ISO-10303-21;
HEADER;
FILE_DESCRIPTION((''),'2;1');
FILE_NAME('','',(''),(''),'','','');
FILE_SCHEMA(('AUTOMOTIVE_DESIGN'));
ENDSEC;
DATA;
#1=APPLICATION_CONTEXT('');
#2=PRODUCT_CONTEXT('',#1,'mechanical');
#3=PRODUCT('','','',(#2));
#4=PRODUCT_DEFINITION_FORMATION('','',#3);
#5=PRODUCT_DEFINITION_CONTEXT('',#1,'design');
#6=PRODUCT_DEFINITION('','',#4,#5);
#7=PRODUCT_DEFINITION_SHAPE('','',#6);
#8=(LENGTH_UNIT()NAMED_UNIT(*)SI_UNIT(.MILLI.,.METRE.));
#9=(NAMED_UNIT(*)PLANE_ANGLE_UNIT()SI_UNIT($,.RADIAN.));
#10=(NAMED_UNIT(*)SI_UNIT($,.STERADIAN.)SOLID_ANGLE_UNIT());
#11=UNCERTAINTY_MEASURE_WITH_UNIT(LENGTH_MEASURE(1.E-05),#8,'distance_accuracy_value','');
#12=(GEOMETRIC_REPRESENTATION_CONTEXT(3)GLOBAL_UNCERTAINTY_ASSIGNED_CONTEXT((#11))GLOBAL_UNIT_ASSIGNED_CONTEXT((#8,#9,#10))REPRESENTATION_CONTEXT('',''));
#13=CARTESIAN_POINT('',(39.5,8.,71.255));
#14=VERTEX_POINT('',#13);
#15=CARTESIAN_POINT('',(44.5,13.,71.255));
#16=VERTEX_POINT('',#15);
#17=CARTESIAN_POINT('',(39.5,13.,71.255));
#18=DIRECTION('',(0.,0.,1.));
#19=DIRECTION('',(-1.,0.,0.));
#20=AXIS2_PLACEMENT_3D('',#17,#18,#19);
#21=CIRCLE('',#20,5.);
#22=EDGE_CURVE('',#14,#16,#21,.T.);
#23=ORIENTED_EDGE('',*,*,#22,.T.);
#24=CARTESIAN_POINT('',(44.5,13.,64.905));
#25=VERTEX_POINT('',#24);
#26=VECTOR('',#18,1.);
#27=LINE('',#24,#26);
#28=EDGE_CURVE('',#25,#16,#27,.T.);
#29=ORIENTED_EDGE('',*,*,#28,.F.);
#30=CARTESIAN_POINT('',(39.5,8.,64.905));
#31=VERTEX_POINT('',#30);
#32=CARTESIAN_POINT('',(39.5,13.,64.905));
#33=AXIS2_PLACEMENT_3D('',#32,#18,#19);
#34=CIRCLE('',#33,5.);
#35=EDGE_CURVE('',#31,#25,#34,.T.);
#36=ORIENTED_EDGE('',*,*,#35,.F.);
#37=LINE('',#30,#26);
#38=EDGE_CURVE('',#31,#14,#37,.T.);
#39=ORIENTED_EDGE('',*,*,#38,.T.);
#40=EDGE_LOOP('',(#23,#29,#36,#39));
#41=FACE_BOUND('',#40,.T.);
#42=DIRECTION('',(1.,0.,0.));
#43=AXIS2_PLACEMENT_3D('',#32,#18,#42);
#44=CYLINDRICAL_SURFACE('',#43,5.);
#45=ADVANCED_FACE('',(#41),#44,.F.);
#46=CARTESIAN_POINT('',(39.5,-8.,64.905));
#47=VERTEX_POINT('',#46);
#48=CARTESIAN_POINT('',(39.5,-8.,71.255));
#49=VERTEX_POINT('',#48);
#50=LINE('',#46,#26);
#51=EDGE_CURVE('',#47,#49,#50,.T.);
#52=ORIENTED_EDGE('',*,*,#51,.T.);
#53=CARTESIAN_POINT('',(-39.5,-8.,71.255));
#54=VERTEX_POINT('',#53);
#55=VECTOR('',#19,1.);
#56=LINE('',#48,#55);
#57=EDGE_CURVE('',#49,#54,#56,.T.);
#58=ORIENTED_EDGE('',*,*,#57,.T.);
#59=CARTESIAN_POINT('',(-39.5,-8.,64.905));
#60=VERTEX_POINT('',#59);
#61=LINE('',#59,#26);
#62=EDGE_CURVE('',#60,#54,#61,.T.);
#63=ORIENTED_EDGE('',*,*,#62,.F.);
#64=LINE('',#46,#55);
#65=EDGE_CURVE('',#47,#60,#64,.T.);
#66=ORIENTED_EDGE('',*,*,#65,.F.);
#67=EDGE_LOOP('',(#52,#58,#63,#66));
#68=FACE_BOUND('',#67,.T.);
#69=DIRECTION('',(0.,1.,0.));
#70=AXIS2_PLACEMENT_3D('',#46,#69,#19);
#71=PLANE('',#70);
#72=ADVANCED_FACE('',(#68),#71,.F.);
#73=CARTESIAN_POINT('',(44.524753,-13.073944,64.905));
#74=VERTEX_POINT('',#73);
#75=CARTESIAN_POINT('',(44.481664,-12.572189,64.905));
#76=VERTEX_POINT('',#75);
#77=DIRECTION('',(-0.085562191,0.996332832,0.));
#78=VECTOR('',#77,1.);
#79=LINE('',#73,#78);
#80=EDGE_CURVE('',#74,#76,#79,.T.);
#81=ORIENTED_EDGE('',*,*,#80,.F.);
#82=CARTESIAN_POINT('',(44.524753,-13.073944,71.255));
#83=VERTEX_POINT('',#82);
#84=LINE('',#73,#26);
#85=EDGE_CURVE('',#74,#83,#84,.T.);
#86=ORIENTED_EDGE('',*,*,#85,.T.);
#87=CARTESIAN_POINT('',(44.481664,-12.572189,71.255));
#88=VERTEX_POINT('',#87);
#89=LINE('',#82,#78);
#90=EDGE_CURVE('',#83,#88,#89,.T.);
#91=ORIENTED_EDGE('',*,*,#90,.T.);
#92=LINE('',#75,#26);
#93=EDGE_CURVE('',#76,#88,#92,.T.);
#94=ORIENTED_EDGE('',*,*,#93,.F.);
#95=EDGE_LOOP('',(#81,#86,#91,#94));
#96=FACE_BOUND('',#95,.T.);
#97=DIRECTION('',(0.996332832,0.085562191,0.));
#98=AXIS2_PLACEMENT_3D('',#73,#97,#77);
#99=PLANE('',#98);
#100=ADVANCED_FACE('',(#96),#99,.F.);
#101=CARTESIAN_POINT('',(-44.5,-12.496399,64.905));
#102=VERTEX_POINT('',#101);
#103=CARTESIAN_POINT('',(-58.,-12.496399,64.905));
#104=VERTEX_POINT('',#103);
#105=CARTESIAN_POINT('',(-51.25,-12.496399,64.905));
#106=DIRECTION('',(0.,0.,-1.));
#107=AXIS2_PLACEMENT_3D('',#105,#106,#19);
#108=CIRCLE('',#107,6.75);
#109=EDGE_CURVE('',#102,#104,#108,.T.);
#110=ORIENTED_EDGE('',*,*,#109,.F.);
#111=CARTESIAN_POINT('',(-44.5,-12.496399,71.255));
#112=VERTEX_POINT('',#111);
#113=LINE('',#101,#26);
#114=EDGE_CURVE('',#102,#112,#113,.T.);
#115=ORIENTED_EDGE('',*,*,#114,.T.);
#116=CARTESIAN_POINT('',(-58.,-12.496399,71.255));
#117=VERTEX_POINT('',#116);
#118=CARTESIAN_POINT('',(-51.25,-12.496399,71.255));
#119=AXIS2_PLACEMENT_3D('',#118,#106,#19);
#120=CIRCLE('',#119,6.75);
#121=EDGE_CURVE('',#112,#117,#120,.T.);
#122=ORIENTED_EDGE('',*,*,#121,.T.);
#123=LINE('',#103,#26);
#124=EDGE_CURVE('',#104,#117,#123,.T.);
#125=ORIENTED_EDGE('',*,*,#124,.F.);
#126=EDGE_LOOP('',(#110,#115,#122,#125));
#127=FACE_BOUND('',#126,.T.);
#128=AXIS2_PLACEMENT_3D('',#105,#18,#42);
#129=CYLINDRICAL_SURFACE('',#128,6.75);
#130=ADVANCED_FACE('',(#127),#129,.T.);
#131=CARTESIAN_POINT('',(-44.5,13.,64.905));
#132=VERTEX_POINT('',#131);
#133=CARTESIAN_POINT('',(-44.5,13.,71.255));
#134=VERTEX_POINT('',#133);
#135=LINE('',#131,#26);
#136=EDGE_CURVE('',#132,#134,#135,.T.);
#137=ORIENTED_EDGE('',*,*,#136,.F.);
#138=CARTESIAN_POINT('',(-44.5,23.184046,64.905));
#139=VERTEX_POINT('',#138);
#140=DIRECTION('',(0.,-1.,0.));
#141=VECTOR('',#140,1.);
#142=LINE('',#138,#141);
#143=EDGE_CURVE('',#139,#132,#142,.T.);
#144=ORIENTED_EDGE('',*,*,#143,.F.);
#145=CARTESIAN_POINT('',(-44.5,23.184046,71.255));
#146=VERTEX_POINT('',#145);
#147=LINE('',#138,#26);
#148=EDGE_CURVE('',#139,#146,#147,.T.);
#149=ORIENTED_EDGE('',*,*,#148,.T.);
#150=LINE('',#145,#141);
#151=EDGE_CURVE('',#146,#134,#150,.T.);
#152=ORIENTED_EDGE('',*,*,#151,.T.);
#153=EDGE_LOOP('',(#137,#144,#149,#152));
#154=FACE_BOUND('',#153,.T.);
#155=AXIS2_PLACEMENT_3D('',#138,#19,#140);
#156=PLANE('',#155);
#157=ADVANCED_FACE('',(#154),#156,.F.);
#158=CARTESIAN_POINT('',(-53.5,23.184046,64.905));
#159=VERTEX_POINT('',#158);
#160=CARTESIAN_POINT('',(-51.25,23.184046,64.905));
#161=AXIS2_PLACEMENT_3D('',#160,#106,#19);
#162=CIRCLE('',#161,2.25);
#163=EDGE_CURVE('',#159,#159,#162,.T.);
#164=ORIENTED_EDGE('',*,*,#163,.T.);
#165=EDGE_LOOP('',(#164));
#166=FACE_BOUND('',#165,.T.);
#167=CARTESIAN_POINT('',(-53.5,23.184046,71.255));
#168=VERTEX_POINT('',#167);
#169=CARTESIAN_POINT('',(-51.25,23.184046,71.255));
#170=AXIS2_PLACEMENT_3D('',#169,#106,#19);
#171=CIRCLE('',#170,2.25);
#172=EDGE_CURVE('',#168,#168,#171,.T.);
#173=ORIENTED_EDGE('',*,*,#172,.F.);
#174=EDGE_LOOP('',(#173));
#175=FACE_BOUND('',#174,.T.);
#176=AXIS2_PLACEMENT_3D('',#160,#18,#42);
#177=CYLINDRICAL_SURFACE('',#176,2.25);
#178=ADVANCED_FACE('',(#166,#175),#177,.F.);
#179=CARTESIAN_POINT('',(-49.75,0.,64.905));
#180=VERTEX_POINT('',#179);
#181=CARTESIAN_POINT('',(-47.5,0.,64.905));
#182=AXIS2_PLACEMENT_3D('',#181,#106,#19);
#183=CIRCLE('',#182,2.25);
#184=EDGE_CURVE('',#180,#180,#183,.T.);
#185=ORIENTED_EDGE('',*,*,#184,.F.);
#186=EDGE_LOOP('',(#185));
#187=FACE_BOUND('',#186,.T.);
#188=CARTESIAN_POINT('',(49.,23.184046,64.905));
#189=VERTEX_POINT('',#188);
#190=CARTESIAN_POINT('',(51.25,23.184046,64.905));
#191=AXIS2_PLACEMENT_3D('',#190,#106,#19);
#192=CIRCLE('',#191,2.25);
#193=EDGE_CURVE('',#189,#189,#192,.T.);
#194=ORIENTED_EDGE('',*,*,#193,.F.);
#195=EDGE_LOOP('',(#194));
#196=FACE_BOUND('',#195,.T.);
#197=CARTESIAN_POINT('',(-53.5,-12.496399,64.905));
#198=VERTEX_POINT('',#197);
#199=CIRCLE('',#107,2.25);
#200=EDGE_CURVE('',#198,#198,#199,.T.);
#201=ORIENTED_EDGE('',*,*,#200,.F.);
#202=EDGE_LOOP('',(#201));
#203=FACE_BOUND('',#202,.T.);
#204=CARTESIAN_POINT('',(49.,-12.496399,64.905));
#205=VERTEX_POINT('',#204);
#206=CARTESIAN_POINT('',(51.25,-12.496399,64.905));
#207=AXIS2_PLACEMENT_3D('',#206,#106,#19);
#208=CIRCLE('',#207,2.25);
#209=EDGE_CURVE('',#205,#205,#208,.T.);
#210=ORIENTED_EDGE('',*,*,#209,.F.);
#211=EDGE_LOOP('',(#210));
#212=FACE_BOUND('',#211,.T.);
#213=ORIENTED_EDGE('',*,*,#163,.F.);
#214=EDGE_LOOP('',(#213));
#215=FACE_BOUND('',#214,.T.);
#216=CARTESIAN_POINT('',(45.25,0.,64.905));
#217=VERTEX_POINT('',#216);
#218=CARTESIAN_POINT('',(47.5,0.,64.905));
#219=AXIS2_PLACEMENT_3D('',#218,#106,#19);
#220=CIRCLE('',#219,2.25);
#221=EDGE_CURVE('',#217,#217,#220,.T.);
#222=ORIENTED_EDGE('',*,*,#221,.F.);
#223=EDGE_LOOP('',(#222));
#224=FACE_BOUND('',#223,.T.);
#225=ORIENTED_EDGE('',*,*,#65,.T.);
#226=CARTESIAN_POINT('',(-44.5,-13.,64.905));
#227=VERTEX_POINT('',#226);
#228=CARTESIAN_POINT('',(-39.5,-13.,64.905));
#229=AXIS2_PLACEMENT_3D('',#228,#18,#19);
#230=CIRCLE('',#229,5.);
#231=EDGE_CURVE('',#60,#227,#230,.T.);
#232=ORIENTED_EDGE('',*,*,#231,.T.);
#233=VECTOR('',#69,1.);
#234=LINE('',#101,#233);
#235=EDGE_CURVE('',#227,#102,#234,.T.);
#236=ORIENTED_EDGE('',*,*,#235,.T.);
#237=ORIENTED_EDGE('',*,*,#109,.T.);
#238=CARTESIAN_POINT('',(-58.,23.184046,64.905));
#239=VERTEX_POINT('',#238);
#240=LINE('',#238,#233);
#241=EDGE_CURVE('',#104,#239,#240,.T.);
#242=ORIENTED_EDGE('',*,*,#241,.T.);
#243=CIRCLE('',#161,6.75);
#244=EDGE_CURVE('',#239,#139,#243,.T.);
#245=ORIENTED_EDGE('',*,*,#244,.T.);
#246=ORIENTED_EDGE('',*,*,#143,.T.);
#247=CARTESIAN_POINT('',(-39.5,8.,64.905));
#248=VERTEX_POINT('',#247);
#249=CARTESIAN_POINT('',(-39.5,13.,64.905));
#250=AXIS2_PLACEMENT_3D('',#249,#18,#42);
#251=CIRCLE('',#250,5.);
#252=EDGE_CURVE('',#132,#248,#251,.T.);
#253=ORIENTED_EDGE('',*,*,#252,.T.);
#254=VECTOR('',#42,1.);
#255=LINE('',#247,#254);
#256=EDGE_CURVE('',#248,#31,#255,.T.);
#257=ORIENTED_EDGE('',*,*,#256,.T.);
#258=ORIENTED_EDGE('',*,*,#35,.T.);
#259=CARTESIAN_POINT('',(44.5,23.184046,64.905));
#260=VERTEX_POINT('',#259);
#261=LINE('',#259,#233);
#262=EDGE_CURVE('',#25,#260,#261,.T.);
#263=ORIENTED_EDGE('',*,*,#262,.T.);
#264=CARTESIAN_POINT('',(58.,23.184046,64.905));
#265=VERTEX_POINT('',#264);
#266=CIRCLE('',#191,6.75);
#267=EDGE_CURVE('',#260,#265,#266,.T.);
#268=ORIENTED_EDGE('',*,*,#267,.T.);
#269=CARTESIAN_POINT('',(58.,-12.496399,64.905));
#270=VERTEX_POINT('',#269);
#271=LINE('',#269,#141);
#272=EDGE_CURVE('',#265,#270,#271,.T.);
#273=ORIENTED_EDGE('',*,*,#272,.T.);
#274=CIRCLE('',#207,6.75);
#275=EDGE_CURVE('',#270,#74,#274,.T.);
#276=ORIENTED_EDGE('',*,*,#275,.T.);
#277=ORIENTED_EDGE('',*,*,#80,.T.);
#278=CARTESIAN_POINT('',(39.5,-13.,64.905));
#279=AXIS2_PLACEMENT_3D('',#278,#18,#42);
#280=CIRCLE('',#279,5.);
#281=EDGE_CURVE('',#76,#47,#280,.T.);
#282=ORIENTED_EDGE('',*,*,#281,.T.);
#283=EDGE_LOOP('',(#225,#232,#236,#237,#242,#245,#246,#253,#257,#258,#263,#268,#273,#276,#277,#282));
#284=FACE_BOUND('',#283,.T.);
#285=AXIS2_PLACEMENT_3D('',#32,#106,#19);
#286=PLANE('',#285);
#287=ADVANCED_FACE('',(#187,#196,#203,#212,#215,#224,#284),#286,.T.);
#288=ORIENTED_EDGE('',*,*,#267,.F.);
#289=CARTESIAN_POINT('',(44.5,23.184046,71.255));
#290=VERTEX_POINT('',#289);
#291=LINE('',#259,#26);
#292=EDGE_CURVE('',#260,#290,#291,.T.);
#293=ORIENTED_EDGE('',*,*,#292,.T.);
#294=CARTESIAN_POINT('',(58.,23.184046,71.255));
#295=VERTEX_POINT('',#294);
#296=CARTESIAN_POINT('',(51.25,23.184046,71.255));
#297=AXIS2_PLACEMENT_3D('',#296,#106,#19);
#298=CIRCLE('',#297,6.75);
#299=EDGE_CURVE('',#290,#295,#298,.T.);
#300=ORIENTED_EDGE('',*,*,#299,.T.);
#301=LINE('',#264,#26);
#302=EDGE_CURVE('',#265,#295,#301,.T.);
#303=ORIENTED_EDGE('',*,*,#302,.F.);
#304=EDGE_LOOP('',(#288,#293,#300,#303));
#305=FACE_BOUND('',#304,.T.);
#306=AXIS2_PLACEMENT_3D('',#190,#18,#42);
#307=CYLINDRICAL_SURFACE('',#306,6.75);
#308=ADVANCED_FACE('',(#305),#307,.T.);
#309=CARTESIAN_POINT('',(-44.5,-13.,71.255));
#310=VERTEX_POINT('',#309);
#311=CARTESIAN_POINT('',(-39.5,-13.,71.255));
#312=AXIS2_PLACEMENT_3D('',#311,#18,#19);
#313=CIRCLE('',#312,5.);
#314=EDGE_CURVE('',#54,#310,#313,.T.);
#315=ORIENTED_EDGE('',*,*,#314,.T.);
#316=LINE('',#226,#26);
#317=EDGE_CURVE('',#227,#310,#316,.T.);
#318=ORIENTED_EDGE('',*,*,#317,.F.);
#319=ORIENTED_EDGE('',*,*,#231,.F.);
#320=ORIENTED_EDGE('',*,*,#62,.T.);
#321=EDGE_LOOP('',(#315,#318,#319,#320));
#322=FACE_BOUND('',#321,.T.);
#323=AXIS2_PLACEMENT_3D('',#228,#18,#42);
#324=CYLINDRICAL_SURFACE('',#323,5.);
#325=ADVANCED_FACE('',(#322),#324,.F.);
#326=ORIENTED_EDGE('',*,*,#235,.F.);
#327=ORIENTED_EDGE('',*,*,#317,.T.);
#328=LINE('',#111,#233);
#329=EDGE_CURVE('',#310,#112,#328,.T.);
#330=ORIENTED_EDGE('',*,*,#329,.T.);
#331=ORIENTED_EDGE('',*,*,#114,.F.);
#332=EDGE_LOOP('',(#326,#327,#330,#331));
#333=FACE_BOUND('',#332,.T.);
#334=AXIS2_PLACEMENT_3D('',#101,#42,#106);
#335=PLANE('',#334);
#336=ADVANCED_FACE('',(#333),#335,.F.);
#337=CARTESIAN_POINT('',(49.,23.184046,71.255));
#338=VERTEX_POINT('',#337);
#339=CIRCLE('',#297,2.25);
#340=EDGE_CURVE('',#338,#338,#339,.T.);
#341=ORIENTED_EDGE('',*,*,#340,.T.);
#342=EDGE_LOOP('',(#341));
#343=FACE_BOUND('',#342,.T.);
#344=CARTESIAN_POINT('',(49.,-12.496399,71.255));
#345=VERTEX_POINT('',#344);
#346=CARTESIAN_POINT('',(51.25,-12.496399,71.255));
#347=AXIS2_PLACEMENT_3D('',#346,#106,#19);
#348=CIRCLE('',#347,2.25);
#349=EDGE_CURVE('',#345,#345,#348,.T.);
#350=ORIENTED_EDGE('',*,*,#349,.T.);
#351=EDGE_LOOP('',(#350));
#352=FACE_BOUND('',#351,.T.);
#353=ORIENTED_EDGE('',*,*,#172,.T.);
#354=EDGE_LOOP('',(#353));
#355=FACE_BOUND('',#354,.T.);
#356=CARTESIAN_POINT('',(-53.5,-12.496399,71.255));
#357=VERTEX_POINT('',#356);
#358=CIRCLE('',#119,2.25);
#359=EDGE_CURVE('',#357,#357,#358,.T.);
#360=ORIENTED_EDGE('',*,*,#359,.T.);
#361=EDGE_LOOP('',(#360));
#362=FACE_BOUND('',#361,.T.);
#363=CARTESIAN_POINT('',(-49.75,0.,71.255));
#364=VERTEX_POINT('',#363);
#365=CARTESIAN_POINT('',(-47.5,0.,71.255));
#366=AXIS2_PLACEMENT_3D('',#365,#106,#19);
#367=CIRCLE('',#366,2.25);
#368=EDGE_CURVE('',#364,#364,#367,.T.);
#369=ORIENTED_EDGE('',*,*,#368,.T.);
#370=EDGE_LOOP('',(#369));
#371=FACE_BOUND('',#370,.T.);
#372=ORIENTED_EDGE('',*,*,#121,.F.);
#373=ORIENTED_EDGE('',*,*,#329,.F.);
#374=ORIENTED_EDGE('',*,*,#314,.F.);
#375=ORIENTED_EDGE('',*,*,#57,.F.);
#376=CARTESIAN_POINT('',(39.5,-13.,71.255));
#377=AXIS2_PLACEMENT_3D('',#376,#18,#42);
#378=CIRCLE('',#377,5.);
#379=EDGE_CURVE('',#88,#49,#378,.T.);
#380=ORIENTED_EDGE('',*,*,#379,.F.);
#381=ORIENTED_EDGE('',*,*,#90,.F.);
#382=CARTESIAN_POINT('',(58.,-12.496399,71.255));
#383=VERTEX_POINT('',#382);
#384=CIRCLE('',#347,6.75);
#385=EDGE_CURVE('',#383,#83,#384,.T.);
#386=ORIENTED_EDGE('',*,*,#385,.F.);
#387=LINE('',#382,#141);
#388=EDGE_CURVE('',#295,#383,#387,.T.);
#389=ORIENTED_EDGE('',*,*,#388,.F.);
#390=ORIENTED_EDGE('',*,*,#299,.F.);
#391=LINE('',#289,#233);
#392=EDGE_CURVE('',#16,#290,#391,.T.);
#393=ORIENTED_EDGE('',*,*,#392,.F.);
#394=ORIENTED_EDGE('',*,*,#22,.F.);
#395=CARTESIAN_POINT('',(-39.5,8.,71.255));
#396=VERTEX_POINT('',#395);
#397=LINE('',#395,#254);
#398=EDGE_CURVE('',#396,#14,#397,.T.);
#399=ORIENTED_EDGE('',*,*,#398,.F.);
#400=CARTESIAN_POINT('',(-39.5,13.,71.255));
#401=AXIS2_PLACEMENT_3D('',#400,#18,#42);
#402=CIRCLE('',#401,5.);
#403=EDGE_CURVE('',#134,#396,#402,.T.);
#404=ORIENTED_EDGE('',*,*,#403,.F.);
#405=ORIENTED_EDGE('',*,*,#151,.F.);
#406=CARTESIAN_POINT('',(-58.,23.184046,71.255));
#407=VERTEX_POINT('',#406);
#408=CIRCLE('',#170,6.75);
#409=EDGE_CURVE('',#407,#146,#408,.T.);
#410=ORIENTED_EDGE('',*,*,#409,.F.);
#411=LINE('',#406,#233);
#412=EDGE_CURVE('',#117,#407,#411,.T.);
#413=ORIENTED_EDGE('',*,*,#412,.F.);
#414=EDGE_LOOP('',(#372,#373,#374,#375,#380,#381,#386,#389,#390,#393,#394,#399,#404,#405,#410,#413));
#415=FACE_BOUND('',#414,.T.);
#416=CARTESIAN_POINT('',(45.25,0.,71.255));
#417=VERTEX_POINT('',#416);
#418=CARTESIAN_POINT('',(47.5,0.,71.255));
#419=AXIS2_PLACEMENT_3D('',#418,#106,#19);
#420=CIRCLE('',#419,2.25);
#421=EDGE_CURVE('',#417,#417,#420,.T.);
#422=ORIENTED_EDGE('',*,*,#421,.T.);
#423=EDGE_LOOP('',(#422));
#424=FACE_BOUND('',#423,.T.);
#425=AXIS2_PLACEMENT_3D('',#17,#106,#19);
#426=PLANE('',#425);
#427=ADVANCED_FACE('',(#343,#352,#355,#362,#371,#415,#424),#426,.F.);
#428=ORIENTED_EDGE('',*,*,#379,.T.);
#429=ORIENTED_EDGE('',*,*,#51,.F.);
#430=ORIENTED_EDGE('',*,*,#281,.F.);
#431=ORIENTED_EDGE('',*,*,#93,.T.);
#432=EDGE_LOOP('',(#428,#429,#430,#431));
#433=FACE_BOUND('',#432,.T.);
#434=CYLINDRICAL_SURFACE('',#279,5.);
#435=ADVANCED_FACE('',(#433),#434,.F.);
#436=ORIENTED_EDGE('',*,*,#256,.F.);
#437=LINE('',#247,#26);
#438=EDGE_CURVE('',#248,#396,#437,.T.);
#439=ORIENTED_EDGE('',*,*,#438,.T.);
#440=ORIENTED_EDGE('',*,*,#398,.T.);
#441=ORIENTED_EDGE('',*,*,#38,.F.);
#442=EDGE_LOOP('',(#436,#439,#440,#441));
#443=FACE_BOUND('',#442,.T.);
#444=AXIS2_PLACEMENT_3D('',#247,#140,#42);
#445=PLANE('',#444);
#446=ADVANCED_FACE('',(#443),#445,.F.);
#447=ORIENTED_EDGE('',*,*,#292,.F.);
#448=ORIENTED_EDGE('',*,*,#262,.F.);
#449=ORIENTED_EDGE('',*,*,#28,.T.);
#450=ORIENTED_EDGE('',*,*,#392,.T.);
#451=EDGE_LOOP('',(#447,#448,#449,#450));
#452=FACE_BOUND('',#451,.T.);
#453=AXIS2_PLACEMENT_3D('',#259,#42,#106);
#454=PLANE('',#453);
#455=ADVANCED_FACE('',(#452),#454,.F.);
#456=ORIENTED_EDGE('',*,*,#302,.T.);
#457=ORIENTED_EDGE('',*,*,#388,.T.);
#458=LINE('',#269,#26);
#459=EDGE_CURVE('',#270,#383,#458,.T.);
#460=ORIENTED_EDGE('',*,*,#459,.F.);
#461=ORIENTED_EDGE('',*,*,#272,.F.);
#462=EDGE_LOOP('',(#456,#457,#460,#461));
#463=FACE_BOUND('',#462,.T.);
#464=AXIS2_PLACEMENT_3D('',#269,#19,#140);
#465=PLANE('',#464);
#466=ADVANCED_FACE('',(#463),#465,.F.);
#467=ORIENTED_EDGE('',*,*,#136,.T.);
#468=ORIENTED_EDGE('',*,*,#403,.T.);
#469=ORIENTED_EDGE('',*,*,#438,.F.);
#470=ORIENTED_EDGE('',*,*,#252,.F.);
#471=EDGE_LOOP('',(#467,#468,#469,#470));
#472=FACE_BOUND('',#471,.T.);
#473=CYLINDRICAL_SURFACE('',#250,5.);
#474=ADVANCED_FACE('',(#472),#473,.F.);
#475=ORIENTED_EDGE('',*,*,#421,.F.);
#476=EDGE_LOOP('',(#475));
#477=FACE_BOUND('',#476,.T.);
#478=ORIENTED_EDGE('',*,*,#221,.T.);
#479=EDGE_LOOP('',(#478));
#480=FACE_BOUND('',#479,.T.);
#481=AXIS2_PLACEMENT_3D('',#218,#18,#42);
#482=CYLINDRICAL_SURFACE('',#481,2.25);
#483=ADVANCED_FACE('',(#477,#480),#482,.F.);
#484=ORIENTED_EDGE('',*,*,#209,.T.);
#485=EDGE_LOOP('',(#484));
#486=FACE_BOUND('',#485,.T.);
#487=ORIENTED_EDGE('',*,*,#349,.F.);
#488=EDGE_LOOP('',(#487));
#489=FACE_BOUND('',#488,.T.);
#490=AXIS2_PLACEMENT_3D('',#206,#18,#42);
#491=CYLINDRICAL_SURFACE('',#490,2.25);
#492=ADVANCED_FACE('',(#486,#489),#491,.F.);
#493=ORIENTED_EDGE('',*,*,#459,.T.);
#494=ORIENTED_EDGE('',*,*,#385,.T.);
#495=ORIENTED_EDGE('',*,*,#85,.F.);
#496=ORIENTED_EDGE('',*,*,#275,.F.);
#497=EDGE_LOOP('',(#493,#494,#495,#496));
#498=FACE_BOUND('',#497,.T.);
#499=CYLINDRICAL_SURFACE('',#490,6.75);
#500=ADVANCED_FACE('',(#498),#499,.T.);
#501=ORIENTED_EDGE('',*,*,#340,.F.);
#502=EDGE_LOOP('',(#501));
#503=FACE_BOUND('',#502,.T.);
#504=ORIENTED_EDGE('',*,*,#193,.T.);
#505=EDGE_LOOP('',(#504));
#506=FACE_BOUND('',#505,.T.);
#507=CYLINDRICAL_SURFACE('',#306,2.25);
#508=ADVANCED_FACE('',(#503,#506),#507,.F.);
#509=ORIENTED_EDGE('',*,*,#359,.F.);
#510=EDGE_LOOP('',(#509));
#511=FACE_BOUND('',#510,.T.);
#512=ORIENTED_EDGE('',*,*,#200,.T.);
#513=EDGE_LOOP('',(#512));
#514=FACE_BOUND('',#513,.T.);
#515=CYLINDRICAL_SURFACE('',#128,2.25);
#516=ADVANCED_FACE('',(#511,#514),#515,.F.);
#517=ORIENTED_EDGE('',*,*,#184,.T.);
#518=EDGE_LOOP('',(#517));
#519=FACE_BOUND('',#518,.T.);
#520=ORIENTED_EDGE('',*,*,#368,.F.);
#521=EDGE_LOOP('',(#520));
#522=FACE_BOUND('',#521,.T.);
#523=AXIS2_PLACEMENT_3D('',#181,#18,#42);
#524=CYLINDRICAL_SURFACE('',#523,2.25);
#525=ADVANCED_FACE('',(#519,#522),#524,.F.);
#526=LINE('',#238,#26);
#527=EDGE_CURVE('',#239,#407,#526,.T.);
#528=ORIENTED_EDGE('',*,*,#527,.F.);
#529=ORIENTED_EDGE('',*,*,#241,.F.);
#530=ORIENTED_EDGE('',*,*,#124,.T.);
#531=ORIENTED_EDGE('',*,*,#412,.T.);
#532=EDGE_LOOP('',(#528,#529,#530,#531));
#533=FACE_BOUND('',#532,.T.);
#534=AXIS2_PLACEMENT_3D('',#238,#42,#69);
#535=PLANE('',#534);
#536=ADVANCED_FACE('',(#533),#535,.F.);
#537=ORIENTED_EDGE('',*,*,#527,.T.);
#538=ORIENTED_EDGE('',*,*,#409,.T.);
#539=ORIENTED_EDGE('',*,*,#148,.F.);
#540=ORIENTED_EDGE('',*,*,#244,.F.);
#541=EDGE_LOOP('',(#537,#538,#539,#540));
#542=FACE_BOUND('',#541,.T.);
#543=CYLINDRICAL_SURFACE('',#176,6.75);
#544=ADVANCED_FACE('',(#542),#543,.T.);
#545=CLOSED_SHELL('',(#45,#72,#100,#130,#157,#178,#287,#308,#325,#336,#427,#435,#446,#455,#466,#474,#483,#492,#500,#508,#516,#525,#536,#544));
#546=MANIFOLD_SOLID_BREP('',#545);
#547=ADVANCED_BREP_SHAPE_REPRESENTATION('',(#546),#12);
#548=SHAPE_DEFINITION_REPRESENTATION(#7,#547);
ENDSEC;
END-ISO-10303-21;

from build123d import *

# Parameters (mm, degrees)
SKETCH2_R           = 2.25
BOSS_EXTRUDE1_DEPTH = 6.35


with BuildPart() as part:
    # Sketch2 → Boss-Extrude1 (new body)
    with BuildSketch(Plane(origin=(0, 0, 71.255), x_dir=(-1, 0, 0), z_dir=(0, 0, -1))):
        with BuildLine():
            Line((-39.5, -8), (39.5, -8))
            ThreePointArc((39.5, -8), (43.035533906, -9.464466094), (44.5, -13))
            Line((44.5, -13), (44.5, -12.496398734))
            ThreePointArc((44.5, -12.496398734), (51.25, -19.246398734), (58, -12.496398734))
            Line((58, -12.496398734), (58, 23.184046239))
            ThreePointArc((58, 23.184046239), (51.25, 29.934046239), (44.5, 23.184046239))
            Line((44.5, 23.184046239), (44.5, 13))
            ThreePointArc((44.5, 13), (43.035533906, 9.464466094), (39.5, 8))
            Line((39.5, 8), (-39.5, 8))
            ThreePointArc((-39.5, 8), (-43.035533906, 9.464466094), (-44.5, 13))
            Line((-44.5, 13), (-44.5, 23.184046239))
            ThreePointArc((-44.5, 23.184046239), (-51.25, 29.934046239), (-58, 23.184046239))
            Line((-58, 23.184046239), (-58, -12.496398734))
            ThreePointArc((-58, -12.496398734), (-51.539037503, -19.240207548), (-44.524753386, -13.073943522))
            Line((-44.524753386, -13.073943522), (-44.481664158, -12.572189046))
            ThreePointArc((-44.481664158, -12.572189046), (-42.880898196, -9.316316058), (-39.5, -8))
        make_face()
        with Locations((47.5, 0)):
            Circle(SKETCH2_R, mode=Mode.SUBTRACT)
        with Locations((-47.5, 0)):
            Circle(SKETCH2_R, mode=Mode.SUBTRACT)
        with Locations((51.25, 23.184046239)):
            Circle(SKETCH2_R, mode=Mode.SUBTRACT)
        with Locations((51.25, -12.496398734)):
            Circle(SKETCH2_R, mode=Mode.SUBTRACT)
        with Locations((-51.25, -12.496398734)):
            Circle(SKETCH2_R, mode=Mode.SUBTRACT)
        with Locations((-51.25, 23.184046239)):
            Circle(SKETCH2_R, mode=Mode.SUBTRACT)
    extrude(amount=BOSS_EXTRUDE1_DEPTH)


solid = part.part
